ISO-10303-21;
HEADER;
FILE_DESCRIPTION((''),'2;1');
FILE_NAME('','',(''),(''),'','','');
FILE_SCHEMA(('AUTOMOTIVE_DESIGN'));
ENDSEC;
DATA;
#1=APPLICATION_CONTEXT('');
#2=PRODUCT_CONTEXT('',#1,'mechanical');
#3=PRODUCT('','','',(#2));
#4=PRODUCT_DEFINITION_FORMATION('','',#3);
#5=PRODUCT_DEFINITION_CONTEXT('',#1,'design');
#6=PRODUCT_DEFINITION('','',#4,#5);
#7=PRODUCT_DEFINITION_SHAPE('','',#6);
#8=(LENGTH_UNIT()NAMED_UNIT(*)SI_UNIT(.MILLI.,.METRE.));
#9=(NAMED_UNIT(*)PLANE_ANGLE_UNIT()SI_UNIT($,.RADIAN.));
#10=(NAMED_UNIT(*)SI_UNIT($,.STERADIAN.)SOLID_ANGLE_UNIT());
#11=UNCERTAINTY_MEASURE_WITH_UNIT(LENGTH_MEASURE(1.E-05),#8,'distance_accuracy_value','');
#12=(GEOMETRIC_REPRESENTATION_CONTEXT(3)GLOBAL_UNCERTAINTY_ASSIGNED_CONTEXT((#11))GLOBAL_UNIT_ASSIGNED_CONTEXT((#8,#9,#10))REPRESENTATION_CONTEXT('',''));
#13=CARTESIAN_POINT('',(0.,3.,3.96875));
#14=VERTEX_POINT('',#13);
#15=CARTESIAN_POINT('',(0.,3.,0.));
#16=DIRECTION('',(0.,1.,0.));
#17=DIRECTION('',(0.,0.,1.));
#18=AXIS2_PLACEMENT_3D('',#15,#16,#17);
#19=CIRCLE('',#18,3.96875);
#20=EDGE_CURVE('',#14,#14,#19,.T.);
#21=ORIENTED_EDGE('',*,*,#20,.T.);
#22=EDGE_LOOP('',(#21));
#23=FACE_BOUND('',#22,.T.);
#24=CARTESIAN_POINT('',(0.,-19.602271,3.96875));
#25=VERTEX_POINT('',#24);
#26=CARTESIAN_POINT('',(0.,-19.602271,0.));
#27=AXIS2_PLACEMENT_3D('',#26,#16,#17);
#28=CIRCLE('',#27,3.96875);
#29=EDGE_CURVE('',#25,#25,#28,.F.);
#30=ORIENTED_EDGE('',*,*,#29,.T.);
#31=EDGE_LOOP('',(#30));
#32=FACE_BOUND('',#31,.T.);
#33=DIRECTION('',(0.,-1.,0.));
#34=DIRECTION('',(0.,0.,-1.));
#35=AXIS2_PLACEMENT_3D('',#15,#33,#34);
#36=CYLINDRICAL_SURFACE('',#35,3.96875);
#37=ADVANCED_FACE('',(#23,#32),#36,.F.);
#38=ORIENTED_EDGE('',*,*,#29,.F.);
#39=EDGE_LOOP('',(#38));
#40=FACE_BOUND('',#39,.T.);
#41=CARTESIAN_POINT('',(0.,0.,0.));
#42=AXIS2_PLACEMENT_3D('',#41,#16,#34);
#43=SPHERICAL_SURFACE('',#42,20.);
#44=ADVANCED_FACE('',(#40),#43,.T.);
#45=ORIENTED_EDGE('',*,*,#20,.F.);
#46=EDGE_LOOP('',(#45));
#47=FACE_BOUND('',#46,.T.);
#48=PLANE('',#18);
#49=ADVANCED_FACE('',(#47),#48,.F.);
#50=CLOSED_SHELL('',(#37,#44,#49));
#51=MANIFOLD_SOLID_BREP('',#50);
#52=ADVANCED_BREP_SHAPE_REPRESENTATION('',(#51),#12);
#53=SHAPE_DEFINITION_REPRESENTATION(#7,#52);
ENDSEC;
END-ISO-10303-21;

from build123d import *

# Parameters (mm, degrees)
SKETCH2_R               = 3.96875
CUT_EXTRUDE1_DEPTH      = 3
CUT_EXTRUDE1_DEPTH_BACK = 21


with BuildPart() as part:
    # Sketch1 → Revolve1 (revolve)
    with BuildSketch(Plane(origin=(0, 0, 0), x_dir=(0, 0, -1), z_dir=(1, 0, 0))):
        with BuildLine():
            Line((0, 20), (0, -20))
            ThreePointArc((0, -20), (20, 0), (0, 20))
        make_face()
    revolve(axis=Axis((0, 20, 0), (0, -1, 0)))

    # Sketch2 → Cut-Extrude1 (cut, two sides)
    with BuildSketch(Plane(origin=(0, 0, 0), x_dir=(1, 0, 0), z_dir=(0, 1, 0))) as cut_extrude1_sk:
        Circle(SKETCH2_R)
    extrude(amount=CUT_EXTRUDE1_DEPTH, mode=Mode.SUBTRACT)
    extrude(cut_extrude1_sk.sketch, amount=-CUT_EXTRUDE1_DEPTH_BACK, mode=Mode.SUBTRACT)


solid = part.part
